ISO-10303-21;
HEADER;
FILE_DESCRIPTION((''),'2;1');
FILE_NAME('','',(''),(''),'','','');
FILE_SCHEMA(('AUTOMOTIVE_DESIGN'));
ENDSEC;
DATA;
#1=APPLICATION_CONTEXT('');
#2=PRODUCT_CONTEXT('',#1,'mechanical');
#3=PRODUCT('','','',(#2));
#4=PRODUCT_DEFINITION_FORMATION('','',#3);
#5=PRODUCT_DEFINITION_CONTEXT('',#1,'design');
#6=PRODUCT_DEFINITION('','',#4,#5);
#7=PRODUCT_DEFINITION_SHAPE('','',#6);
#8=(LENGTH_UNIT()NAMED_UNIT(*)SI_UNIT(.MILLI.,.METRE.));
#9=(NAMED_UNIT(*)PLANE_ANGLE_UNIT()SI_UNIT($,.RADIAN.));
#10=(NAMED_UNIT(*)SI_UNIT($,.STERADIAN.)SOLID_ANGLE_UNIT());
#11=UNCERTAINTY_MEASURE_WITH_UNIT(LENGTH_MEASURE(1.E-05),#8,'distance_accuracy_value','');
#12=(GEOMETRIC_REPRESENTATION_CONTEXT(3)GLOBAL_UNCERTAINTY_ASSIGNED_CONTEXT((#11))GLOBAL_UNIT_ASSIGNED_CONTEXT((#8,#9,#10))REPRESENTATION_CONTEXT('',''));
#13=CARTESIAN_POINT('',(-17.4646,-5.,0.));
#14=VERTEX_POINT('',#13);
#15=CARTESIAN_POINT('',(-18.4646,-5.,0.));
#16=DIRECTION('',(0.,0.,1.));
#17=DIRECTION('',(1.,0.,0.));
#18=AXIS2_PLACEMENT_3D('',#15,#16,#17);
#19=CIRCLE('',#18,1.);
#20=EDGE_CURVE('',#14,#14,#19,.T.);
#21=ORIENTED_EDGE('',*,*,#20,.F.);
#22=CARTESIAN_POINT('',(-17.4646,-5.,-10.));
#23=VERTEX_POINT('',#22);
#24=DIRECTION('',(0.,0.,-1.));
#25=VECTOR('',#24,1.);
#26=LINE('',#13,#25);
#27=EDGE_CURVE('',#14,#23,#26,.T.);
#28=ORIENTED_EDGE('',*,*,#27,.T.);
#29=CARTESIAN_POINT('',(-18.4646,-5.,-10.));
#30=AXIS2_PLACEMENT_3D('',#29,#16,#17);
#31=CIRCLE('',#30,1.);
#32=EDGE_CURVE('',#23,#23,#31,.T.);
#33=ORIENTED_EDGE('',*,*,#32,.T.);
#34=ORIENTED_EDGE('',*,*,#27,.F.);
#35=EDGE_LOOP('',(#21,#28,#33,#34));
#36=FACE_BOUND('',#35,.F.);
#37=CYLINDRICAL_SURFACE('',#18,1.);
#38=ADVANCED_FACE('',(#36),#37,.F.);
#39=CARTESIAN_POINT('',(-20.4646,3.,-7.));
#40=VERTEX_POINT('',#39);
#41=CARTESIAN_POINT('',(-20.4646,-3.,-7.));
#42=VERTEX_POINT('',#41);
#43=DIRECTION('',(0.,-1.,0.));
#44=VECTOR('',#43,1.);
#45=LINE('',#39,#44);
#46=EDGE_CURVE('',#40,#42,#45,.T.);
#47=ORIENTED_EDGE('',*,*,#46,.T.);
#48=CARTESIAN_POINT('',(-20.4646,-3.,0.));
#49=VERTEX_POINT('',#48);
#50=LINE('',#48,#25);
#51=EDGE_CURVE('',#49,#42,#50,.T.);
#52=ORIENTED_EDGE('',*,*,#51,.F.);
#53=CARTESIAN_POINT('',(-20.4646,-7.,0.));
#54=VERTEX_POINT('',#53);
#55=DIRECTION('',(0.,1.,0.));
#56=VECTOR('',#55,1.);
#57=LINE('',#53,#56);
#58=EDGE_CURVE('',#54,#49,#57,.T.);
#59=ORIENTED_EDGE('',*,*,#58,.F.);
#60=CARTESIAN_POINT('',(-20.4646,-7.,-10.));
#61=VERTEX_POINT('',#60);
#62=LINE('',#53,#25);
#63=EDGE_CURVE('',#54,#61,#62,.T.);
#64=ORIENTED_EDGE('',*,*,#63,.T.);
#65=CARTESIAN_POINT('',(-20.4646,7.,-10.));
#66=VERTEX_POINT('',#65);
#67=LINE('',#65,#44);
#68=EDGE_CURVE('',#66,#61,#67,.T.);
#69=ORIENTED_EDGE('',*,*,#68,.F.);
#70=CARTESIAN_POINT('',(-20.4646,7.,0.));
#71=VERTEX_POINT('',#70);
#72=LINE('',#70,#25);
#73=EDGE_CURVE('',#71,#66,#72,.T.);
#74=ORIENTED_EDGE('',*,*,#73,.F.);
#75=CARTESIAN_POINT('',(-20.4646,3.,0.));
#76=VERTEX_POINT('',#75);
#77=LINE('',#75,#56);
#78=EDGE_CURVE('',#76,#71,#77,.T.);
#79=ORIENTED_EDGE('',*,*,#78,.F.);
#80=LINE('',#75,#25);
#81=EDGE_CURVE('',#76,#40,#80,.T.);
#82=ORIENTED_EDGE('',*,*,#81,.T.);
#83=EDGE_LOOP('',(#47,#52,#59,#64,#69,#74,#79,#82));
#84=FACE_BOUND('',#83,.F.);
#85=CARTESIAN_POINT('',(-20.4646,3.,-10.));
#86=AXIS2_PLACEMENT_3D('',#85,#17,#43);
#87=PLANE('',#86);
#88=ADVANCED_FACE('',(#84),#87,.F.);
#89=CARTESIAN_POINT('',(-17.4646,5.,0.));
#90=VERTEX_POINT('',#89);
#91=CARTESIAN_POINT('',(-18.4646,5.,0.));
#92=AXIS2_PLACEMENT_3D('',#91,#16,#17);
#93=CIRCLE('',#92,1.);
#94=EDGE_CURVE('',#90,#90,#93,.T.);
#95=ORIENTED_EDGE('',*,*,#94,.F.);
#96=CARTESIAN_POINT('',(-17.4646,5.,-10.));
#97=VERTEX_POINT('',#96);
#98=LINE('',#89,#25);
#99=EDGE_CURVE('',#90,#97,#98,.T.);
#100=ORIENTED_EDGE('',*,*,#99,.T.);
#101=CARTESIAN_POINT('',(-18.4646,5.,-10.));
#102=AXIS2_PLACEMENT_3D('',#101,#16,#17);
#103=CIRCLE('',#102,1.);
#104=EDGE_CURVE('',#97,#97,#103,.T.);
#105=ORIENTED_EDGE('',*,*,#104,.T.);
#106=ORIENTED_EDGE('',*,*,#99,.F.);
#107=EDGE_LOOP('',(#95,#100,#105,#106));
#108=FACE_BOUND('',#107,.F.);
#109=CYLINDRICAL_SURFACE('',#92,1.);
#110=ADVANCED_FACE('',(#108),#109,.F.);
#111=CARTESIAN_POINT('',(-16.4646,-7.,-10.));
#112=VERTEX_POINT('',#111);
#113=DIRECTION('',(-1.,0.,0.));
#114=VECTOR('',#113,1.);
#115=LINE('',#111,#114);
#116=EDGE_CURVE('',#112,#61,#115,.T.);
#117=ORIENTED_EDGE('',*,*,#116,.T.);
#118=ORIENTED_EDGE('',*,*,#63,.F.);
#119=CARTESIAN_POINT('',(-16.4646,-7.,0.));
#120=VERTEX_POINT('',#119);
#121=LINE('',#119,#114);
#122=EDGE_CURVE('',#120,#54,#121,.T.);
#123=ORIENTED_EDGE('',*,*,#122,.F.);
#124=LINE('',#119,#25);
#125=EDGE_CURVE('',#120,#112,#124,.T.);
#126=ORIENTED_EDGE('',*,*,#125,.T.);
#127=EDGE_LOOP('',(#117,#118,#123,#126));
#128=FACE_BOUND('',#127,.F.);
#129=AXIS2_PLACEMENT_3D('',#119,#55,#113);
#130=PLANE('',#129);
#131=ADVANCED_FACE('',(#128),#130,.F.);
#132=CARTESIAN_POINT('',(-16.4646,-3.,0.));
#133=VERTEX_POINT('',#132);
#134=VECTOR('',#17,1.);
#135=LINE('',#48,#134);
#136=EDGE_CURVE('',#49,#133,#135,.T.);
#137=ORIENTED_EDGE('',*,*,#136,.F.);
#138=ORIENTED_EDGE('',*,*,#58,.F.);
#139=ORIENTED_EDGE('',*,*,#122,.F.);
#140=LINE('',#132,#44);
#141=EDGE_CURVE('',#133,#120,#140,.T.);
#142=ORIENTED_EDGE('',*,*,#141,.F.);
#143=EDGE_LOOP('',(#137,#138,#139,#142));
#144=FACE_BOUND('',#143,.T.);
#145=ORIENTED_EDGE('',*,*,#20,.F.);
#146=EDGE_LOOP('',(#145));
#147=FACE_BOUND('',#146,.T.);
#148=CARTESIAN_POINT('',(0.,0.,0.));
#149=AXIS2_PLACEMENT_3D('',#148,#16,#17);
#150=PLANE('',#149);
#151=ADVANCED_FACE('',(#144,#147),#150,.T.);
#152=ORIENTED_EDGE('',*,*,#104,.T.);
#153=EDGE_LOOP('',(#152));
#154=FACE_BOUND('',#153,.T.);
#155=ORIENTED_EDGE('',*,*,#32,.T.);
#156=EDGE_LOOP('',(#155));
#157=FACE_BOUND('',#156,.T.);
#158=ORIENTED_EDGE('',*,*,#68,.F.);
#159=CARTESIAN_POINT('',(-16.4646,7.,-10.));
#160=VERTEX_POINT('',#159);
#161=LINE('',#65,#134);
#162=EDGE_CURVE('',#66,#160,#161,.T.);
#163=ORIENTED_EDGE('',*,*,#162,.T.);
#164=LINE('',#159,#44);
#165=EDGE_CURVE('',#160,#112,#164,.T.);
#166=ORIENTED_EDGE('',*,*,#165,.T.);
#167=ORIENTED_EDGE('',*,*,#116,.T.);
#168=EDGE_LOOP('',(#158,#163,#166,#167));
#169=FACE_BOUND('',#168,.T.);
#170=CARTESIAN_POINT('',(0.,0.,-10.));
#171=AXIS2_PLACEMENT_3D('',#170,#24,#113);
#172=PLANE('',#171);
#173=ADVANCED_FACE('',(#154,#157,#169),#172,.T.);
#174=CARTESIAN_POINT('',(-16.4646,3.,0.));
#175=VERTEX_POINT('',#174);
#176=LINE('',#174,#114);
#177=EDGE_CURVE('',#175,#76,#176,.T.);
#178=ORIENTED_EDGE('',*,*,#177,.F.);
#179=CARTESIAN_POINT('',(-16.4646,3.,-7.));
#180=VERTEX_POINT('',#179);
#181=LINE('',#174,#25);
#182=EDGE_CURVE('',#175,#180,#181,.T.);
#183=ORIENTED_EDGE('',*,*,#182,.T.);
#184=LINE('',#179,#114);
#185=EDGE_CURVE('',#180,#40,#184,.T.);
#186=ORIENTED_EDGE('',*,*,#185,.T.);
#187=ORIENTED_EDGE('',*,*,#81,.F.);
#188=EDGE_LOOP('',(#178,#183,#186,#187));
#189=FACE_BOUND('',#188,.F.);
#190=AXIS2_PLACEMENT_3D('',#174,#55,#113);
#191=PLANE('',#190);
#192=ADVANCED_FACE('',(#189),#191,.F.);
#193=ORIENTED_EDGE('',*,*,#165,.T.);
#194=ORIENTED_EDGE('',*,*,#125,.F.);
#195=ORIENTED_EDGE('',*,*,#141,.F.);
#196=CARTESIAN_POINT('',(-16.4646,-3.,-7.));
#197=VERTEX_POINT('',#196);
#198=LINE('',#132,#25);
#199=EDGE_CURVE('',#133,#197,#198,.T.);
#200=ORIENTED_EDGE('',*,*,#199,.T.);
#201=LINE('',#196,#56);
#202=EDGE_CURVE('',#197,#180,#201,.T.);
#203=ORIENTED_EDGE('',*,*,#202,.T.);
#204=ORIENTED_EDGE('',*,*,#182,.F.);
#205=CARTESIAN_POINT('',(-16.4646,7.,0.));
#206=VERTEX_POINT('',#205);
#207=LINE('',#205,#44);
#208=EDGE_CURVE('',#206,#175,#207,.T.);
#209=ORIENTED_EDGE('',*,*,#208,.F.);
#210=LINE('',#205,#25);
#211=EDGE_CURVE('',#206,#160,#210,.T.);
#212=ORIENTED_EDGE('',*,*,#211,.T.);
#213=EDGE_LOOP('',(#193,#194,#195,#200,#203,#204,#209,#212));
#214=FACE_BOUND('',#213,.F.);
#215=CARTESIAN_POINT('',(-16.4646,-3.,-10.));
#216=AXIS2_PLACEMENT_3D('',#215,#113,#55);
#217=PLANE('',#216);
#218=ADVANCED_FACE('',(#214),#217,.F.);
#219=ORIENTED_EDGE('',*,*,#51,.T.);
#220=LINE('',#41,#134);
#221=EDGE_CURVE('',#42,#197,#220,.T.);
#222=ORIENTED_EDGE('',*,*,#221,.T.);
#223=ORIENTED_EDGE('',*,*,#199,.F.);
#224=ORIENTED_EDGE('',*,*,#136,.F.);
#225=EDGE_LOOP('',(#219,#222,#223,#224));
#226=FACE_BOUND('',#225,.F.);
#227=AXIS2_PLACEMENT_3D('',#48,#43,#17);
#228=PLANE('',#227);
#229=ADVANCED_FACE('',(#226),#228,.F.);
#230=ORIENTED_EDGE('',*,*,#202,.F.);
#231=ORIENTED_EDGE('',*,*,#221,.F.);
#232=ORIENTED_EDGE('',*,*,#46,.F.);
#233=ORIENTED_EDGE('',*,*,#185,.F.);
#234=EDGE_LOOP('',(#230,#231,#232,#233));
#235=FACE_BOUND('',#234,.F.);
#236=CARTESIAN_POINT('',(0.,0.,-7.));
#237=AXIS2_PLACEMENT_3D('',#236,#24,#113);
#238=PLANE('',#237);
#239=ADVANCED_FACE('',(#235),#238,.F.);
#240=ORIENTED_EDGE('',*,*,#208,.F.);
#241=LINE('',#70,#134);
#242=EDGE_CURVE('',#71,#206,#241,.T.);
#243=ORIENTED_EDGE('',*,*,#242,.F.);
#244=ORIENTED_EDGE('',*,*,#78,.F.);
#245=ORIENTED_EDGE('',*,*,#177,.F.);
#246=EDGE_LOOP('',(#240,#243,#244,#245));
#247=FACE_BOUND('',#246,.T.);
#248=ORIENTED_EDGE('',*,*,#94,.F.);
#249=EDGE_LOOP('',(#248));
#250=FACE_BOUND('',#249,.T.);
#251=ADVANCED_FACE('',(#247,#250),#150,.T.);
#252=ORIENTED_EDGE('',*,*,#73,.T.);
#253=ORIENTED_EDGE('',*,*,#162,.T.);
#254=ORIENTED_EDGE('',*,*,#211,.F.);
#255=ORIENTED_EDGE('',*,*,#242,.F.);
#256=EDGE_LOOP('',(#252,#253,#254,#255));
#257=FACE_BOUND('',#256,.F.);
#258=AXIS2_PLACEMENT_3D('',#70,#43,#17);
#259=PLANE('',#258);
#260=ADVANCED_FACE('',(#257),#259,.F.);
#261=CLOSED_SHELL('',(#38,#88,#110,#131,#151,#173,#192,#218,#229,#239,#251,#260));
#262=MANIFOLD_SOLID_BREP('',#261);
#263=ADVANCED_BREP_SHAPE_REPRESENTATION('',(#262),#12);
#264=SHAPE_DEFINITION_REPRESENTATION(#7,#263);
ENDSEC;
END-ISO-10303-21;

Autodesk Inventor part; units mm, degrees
ref_plane "YZ Plane" through (0, 0, 0) normal (1, 0, 0) x (0, 1, 0)
ref_plane "XZ Plane" through (0, 0, 0) normal (0, 1, 0) x (-1, 0, 0)
ref_plane "XY Plane" through (0, 0, 0) normal (0, 0, 1) x (1, 0, 0)
sketch "Эскиз1" plane through (0, 0, 0) normal (0, 0, 1) x (1, 0, 0)
  circle A0 centre (-18.4646, -5) radius 1
  circle A1 centre (-18.4646, 5) radius 1
  circle A2 centre (21.5354, 0) radius 2.5
  circle A3 centre (-18.4646, -25) radius 2.5
  circle A4 centre (-18.4646, 25) radius 2.5
  line L0 (-30, 30) -> (30, 30)
  line L1 (30, 30) -> (30, -30)
  line L2 (30, -30) -> (-30, -30)
  line L3 (-30, -30) -> (-30, 30)
  line L4 (-20.4646, 7) -> (-16.4646, 7)
  line L5 (-16.4646, 7) -> (-16.4646, 3)
  line L6 (-16.4646, 3) -> (-20.4646, 3)
  line L7 (-20.4646, 3) -> (-20.4646, 7)
  line L8 (-20.4646, -3) -> (-16.4646, -3)
  line L9 (-16.4646, -3) -> (-16.4646, -7)
  line L10 (-16.4646, -7) -> (-20.4646, -7)
  line L11 (-20.4646, -7) -> (-20.4646, -3)
  point P0 (0, 0)
  point P1 (-18.4646, -7)
  dimension "d1" = 2
  dimension "d2" = 2
  dimension "d3" = 2
  dimension "d4" = 2
  dimension "d5" = 2
  dimension "d6" = 2
  dimension "d7" = 2
extrude "Выдавливание1" add sketch "Эскиз1" against normal blind 10 contours L4 L5 L6 L7 | L8 L9 L10 L11
sketch "Эскиз2" plane through (0, 0, -10) normal (0, 0, -1) x (-1, 0, 0)
  line L0 (16.4646, 3) -> (20.4646, 3)
  line L1 (20.4646, 3) -> (20.4646, -3)
  line L2 (20.4646, -3) -> (16.4646, -3)
  line L3 (16.4646, -3) -> (16.4646, 3)
  line L4 (16.4646, 3) -> (20.4646, 3) projected
  line L5 (16.4646, 7) -> (16.4646, 3) projected
  point P0 (0, 0)
extrude "Выдавливание2" add sketch "Эскиз2" against normal blind 3
properties part number "крепление для крепления ремня"
